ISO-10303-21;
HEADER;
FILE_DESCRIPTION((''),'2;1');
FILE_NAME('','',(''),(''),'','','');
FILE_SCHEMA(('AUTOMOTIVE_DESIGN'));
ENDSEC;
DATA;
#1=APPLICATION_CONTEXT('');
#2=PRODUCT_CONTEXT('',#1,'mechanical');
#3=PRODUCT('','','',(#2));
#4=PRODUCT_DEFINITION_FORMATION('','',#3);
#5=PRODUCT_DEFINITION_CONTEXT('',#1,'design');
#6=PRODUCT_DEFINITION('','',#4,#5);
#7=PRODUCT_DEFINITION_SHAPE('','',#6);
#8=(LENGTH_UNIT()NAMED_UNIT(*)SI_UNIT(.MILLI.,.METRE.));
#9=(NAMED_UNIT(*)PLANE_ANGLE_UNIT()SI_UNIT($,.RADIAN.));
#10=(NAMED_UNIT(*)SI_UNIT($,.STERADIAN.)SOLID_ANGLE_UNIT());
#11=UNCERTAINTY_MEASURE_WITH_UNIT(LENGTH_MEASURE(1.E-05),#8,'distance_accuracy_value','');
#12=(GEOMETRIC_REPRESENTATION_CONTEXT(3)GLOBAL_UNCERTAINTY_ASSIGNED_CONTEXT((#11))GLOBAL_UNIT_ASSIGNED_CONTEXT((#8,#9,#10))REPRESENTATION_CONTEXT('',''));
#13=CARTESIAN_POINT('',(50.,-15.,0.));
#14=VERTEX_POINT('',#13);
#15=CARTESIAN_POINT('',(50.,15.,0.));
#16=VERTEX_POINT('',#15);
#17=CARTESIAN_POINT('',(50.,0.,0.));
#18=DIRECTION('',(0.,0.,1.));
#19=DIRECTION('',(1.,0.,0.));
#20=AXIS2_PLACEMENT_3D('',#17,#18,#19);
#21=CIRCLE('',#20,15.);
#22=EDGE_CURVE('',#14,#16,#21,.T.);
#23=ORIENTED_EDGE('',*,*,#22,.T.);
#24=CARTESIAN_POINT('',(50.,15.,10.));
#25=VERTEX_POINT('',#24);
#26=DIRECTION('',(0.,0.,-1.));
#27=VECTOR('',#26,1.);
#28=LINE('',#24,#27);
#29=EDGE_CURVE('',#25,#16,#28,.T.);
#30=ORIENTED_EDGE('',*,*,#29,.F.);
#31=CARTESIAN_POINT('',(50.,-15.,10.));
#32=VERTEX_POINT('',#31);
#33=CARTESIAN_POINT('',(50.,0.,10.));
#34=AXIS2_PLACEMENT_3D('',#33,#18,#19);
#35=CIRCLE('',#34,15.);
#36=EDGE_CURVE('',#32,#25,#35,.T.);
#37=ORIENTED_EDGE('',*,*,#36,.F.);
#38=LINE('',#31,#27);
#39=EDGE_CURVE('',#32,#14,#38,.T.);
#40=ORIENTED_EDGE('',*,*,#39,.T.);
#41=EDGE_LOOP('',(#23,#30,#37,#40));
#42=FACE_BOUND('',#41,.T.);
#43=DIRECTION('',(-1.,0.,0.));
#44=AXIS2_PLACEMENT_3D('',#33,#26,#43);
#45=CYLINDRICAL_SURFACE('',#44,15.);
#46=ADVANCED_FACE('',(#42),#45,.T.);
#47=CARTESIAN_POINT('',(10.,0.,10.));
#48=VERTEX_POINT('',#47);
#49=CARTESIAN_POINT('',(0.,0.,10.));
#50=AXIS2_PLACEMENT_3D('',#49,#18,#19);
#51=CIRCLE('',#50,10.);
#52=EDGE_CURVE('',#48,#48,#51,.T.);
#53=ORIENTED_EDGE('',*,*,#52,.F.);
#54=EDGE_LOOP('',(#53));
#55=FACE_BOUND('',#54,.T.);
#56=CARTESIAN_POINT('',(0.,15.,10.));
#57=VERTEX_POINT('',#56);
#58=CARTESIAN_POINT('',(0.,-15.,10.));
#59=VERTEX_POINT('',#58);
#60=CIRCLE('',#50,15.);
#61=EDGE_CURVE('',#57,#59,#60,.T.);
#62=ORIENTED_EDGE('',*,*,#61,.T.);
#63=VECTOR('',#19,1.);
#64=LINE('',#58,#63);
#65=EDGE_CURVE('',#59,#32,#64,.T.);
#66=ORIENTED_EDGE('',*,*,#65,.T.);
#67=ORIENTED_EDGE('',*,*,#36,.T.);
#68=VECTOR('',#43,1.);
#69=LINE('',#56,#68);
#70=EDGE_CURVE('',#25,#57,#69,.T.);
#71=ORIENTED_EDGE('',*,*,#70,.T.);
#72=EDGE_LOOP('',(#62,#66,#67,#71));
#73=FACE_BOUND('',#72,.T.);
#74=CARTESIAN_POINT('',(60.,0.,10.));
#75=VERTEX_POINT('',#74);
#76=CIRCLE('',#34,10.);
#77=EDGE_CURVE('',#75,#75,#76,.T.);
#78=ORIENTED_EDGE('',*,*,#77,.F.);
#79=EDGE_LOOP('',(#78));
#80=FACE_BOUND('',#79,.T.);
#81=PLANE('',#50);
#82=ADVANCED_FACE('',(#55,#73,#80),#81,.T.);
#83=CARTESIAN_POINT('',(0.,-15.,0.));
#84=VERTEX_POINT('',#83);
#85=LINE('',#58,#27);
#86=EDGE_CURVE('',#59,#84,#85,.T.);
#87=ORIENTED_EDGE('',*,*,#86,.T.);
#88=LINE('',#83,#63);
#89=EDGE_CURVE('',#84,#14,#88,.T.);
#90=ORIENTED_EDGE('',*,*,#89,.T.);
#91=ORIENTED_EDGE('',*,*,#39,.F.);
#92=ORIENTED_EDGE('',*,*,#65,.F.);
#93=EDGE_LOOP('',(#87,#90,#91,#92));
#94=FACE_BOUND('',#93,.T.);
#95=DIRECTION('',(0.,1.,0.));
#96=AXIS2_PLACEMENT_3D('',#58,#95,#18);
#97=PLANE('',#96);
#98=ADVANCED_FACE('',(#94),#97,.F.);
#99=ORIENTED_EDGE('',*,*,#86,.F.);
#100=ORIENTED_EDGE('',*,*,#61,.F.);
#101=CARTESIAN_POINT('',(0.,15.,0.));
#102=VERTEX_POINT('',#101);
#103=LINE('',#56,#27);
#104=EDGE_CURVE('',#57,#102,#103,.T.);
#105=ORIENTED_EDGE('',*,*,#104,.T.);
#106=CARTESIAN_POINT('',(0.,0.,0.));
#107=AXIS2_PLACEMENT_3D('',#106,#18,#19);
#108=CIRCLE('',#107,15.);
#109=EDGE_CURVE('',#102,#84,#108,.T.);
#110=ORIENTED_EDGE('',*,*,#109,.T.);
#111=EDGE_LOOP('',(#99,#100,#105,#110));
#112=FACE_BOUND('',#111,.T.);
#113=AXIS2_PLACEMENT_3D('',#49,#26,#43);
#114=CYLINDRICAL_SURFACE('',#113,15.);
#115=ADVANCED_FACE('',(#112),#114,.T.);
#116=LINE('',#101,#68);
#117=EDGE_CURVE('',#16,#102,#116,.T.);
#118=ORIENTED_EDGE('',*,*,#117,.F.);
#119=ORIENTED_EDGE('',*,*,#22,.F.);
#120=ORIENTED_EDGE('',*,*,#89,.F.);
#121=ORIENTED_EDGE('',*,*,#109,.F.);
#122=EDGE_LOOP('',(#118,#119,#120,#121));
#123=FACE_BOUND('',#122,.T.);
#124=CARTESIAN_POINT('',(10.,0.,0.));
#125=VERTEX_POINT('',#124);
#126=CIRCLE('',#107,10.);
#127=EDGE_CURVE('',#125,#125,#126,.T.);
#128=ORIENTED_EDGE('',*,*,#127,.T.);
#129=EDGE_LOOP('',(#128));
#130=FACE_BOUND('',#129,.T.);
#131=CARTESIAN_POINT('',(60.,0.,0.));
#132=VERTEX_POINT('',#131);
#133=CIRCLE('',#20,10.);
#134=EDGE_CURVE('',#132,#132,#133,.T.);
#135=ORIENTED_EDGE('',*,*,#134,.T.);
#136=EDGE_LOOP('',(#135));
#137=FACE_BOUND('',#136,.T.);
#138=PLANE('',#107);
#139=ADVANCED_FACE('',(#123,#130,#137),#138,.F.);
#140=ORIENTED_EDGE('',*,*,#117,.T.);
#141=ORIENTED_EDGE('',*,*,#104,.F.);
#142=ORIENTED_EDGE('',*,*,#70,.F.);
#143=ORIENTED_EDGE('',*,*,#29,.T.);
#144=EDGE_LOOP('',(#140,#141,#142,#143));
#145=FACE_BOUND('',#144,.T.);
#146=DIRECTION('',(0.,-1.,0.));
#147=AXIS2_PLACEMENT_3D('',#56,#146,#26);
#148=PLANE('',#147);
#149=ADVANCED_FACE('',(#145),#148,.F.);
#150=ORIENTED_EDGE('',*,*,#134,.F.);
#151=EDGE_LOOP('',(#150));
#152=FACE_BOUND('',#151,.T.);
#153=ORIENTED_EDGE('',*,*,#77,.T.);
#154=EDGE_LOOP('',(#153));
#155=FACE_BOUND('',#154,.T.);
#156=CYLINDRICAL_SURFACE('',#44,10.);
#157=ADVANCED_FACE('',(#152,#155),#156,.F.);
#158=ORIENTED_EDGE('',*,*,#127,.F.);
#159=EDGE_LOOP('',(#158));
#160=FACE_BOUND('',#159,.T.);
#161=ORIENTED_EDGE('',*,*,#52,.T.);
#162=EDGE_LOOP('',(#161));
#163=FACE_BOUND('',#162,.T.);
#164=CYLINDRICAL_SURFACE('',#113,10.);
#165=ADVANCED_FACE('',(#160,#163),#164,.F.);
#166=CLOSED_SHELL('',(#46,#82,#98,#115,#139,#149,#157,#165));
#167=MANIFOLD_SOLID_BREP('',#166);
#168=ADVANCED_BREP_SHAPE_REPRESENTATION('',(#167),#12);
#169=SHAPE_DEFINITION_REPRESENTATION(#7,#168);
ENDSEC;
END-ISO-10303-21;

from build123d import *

# Parameters (mm, degrees)
SKETCH1_R           = 10
BOSS_EXTRUDE1_DEPTH = 10


with BuildPart() as part:
    # Sketch1 → Boss-Extrude1 (new body)
    with BuildSketch(Plane.XY):
        with BuildLine():
            Line((0, 15), (50, 15))
            ThreePointArc((50, 15), (65, 0), (50, -15))
            Line((50, -15), (0, -15))
            ThreePointArc((0, -15), (-15, 0), (0, 15))
        make_face()
        Circle(SKETCH1_R, mode=Mode.SUBTRACT)
        with Locations((50, 0)):
            Circle(SKETCH1_R, mode=Mode.SUBTRACT)
    extrude(amount=BOSS_EXTRUDE1_DEPTH)


solid = part.part
